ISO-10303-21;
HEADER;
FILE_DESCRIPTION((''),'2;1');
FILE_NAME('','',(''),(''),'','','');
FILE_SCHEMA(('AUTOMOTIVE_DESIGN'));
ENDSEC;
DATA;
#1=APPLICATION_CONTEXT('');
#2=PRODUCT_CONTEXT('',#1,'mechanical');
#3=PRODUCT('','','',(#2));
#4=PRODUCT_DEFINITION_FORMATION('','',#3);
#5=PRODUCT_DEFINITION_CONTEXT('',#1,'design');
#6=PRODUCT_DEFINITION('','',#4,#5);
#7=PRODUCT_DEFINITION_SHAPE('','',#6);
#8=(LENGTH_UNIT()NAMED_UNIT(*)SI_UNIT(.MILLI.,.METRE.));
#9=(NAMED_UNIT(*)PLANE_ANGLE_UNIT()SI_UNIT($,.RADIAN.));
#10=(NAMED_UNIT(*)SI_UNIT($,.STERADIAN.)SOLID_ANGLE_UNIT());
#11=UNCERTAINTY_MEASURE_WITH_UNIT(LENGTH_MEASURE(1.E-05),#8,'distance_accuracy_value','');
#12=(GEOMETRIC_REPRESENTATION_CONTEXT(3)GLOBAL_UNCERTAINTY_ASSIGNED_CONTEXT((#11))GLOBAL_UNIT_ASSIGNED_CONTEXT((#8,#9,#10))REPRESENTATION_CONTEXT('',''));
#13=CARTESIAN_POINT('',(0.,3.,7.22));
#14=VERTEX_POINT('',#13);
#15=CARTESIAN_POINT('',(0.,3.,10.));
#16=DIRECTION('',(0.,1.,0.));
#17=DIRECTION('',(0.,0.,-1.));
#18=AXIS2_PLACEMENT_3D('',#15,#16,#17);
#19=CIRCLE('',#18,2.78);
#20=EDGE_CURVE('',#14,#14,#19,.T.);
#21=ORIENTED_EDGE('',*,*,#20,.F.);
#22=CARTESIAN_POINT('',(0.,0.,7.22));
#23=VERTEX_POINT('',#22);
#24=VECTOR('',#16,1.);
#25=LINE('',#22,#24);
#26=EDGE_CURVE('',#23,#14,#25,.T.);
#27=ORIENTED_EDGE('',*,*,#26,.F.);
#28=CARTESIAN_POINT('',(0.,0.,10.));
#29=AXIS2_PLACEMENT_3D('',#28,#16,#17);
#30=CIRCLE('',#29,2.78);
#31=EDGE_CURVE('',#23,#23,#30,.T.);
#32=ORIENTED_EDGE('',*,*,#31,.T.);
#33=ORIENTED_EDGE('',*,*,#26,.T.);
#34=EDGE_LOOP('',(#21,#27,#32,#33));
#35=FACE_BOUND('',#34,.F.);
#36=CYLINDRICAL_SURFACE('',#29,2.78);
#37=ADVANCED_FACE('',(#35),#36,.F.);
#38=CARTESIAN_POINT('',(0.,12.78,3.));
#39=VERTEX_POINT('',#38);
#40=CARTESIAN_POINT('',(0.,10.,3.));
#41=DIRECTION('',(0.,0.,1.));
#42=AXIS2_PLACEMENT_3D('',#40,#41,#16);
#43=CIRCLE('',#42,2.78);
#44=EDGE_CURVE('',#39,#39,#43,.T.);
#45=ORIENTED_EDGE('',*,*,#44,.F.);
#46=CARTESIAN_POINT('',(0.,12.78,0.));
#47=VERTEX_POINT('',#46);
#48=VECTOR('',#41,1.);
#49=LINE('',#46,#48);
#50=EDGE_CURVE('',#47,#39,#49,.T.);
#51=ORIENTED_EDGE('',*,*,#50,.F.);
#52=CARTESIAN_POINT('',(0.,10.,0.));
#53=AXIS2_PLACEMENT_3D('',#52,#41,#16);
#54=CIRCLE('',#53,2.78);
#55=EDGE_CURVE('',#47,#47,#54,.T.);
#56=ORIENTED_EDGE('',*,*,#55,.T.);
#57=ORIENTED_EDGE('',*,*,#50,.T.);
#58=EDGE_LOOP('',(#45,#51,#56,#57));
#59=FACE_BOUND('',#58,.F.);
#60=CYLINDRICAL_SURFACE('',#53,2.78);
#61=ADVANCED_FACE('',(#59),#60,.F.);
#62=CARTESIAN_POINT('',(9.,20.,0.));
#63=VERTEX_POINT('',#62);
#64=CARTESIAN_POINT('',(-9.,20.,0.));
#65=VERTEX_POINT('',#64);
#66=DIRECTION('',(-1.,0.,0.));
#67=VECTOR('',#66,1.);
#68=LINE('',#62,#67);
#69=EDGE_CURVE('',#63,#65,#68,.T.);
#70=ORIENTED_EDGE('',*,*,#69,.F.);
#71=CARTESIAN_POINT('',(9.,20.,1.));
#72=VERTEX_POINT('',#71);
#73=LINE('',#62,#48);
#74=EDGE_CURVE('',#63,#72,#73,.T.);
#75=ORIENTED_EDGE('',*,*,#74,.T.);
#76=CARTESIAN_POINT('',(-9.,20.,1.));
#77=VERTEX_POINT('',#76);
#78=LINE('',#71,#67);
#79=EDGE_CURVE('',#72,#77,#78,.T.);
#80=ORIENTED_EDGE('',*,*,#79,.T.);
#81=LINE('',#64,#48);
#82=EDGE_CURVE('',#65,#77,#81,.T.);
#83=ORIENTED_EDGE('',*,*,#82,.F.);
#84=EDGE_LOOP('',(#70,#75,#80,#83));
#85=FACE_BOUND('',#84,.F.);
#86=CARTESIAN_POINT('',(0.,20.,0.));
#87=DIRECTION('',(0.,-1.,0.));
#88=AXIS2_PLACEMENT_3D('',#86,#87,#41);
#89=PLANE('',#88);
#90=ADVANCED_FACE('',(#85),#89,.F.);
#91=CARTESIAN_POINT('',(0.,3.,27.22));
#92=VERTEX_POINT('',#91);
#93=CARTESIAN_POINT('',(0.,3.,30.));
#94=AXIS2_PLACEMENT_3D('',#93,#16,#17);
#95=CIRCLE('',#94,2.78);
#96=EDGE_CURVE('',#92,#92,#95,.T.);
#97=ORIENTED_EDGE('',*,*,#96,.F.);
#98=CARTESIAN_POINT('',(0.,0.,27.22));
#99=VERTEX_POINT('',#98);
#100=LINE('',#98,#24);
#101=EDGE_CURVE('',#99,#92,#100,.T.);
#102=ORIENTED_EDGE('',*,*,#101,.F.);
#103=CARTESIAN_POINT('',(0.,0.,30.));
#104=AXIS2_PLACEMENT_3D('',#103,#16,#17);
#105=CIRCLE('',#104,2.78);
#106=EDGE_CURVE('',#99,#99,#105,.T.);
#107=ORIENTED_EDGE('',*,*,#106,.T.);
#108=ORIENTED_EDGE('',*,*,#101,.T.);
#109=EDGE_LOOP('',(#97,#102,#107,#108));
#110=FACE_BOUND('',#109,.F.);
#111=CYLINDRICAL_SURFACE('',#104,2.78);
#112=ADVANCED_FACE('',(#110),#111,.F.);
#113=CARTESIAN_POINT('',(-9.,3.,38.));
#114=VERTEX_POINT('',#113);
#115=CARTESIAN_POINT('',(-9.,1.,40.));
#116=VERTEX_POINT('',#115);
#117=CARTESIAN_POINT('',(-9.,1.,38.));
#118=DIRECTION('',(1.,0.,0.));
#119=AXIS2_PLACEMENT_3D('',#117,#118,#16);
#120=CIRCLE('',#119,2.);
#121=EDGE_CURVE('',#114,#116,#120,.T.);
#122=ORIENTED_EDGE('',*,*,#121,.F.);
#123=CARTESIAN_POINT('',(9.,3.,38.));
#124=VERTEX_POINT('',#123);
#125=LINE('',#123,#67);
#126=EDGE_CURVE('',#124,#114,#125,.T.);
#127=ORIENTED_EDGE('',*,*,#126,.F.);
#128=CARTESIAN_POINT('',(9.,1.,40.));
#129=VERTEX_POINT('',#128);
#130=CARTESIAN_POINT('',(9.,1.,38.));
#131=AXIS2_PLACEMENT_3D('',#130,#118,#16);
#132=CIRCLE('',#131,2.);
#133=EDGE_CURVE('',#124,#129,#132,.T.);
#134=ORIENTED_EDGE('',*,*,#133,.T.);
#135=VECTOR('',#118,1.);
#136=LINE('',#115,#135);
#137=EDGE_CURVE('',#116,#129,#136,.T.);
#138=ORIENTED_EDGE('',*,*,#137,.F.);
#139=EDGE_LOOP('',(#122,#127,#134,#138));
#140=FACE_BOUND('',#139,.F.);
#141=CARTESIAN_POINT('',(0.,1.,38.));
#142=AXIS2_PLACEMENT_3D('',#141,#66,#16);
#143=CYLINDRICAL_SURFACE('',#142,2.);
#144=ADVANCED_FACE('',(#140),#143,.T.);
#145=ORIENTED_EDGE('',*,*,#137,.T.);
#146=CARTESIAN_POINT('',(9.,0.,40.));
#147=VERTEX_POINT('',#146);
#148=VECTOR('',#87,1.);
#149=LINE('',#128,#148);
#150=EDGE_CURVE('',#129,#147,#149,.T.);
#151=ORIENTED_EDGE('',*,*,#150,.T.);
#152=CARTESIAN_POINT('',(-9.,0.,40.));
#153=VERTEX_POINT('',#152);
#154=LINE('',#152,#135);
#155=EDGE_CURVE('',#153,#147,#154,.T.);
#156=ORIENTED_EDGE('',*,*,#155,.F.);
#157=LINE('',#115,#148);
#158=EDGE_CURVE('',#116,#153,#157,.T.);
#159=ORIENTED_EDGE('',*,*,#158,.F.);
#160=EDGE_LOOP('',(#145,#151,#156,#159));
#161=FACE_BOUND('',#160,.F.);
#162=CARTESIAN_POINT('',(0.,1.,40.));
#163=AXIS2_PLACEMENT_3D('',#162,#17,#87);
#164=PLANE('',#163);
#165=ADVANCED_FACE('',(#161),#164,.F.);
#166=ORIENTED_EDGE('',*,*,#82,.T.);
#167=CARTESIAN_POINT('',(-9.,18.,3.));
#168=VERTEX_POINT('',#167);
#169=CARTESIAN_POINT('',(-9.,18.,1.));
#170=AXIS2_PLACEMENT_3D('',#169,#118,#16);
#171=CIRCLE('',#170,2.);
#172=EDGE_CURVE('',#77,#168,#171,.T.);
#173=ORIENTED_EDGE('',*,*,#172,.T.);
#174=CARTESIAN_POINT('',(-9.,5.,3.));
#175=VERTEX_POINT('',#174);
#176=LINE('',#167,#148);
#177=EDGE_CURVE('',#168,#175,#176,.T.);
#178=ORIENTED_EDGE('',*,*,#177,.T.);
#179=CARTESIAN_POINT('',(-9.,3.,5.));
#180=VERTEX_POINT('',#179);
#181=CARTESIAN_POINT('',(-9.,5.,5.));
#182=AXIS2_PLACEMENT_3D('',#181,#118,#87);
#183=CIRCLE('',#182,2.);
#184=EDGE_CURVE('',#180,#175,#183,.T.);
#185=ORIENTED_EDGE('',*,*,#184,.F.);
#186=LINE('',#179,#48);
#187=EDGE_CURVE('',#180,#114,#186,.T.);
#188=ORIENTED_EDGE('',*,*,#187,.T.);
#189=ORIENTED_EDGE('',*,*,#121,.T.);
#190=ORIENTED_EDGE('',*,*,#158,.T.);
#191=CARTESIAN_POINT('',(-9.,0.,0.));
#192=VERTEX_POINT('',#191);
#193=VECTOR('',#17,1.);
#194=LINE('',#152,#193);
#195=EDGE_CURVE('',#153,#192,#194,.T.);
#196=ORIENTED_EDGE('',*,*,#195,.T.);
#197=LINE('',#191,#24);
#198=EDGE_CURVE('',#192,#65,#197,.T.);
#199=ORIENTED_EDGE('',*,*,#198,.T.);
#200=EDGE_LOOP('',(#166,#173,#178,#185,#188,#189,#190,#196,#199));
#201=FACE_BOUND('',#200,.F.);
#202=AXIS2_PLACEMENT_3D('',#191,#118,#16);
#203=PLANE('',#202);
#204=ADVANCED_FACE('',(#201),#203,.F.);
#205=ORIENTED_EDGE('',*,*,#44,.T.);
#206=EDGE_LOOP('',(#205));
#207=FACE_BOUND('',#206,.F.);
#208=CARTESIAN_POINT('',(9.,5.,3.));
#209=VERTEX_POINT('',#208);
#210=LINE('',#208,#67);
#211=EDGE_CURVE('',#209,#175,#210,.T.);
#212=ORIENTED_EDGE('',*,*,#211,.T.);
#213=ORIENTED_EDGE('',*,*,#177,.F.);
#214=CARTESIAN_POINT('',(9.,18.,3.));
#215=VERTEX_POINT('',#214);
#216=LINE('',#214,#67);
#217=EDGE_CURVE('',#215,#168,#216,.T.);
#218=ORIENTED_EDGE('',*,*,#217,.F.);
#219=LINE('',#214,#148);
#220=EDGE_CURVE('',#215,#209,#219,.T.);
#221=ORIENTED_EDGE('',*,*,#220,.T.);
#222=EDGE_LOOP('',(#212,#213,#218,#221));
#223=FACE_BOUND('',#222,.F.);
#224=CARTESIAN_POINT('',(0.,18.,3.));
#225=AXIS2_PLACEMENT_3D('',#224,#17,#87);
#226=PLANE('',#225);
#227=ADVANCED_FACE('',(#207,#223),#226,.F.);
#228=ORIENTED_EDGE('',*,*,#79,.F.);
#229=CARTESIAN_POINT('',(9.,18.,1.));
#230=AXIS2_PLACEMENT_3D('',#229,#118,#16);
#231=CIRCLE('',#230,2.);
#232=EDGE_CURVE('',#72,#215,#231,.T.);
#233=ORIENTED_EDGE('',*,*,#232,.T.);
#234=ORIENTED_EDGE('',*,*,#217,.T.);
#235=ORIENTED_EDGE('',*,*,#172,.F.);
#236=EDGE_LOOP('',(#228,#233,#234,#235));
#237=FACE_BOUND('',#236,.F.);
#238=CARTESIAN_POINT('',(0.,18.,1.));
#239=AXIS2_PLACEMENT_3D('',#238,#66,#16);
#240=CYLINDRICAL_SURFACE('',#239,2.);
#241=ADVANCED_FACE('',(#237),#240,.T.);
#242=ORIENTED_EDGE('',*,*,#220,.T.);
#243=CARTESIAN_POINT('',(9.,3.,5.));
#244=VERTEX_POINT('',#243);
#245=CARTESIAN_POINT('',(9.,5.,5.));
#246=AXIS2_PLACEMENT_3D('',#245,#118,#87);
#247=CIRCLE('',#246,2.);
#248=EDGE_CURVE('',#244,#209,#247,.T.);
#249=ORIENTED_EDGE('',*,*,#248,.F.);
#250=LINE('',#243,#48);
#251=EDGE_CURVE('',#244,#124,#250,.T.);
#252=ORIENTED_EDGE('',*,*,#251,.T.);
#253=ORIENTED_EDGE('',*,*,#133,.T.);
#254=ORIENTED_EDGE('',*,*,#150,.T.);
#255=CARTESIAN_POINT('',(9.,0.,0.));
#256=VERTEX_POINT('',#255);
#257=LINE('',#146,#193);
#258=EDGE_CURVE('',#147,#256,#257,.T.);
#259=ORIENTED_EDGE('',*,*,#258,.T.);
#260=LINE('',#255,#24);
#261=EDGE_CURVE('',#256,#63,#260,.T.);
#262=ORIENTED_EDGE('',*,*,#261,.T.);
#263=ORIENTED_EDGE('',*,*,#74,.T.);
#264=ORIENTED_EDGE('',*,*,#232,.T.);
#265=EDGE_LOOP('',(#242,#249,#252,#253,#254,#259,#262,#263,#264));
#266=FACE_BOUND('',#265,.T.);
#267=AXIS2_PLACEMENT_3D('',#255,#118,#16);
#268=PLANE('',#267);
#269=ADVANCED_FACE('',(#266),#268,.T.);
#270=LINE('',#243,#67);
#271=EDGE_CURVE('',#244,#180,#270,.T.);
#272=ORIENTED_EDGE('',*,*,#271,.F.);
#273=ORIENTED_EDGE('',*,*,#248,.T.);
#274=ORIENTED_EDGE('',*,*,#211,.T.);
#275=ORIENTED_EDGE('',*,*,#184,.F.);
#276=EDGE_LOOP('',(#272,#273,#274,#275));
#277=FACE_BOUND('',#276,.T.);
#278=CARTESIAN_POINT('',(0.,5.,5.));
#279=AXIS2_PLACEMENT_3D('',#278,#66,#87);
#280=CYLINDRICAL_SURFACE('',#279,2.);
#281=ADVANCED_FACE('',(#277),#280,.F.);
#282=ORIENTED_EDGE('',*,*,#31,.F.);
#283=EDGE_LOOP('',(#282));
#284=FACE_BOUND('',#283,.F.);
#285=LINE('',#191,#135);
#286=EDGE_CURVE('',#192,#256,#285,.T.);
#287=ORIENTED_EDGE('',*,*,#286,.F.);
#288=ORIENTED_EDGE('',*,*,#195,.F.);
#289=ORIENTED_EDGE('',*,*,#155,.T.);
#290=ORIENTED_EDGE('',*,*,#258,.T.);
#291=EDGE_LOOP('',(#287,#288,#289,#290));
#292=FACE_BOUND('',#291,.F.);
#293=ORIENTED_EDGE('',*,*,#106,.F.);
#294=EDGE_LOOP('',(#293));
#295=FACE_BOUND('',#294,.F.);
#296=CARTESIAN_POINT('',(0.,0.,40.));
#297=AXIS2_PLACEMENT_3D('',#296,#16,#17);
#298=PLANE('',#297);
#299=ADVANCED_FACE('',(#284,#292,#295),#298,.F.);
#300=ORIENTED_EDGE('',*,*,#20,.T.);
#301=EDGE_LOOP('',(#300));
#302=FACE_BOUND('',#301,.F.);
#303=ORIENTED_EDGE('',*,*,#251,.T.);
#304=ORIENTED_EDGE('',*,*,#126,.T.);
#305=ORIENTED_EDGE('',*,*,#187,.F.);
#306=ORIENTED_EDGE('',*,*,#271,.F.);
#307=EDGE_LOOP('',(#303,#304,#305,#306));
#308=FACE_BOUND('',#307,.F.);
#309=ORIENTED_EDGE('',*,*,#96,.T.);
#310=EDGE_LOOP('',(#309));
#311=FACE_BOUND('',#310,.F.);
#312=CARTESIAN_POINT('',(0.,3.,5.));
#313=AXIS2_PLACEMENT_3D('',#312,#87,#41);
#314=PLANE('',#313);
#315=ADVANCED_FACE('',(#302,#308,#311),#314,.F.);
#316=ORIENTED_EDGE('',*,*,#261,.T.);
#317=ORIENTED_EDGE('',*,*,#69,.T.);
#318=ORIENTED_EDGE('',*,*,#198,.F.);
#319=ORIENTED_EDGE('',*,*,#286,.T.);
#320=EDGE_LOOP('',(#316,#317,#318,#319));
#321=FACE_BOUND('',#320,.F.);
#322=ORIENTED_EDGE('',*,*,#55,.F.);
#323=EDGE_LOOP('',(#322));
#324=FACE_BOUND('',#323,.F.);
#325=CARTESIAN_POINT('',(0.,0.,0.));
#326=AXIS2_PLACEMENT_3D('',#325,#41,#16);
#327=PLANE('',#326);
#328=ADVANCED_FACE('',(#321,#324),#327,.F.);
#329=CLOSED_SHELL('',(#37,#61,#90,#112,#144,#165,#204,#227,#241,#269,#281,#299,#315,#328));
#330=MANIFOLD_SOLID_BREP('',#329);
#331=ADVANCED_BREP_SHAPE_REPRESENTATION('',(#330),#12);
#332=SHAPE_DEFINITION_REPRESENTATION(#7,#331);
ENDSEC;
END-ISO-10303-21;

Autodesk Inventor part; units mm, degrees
ref_plane "YZ Plane" through (0, 0, 0) normal (1, 0, 0) x (0, 1, 0)
ref_plane "XZ Plane" through (0, 0, 0) normal (0, 1, 0) x (-1, 0, 0)
ref_plane "XY Plane" through (0, 0, 0) normal (0, 0, 1) x (1, 0, 0)
sketch "Sketch_1" plane through (0, 0, 0) normal (1, 0, 0) x (0, 1, 0)
  line L0 (1, 40) -> (0, 40)
  line L1 (0, 40) -> (0, 0)
  line L2 (0, 0) -> (20, 0)
  line L3 (20, 0) -> (20, 1)
  arc A0 (20, 1) -> (18, 3) centre (18, 1) ccw
  line L4 (18, 3) -> (5, 3)
  arc A1 (3, 5) -> (5, 3) centre (5, 5) ccw
  line L5 (3, 5) -> (3, 38)
  arc A2 (3, 38) -> (1, 40) centre (1, 38) ccw
extrude "Extrusion1" add sketch "Sketch_1" along normal mid plane 18
sketch "Sketch2" plane through (9, 20, 0) normal (0, 0, -1) x (-1, 0, 0)
  point P0 (9, -10)
hole "Hole1" at (0, 10, 0) direction (0, 0, 1) diameter 5.56 depth 3
sketch "Sketch3" plane through (-9, 0, 0) normal (0, -1, 0) x (1, 0, 0)
  point P0 (9, 10)
hole "Hole2" at (0, 0, 10) direction (0, 1, 0) diameter 5.56 depth 3
sketch "Sketch4" plane through (-9, 0, 0) normal (0, -1, 0) x (1, 0, 0)
  point P0 (9, 30)
hole "Hole3" at (0, 0, 30) direction (0, 1, 0) diameter 5.56 depth 3
properties part number "20-4176 Aluminum"
